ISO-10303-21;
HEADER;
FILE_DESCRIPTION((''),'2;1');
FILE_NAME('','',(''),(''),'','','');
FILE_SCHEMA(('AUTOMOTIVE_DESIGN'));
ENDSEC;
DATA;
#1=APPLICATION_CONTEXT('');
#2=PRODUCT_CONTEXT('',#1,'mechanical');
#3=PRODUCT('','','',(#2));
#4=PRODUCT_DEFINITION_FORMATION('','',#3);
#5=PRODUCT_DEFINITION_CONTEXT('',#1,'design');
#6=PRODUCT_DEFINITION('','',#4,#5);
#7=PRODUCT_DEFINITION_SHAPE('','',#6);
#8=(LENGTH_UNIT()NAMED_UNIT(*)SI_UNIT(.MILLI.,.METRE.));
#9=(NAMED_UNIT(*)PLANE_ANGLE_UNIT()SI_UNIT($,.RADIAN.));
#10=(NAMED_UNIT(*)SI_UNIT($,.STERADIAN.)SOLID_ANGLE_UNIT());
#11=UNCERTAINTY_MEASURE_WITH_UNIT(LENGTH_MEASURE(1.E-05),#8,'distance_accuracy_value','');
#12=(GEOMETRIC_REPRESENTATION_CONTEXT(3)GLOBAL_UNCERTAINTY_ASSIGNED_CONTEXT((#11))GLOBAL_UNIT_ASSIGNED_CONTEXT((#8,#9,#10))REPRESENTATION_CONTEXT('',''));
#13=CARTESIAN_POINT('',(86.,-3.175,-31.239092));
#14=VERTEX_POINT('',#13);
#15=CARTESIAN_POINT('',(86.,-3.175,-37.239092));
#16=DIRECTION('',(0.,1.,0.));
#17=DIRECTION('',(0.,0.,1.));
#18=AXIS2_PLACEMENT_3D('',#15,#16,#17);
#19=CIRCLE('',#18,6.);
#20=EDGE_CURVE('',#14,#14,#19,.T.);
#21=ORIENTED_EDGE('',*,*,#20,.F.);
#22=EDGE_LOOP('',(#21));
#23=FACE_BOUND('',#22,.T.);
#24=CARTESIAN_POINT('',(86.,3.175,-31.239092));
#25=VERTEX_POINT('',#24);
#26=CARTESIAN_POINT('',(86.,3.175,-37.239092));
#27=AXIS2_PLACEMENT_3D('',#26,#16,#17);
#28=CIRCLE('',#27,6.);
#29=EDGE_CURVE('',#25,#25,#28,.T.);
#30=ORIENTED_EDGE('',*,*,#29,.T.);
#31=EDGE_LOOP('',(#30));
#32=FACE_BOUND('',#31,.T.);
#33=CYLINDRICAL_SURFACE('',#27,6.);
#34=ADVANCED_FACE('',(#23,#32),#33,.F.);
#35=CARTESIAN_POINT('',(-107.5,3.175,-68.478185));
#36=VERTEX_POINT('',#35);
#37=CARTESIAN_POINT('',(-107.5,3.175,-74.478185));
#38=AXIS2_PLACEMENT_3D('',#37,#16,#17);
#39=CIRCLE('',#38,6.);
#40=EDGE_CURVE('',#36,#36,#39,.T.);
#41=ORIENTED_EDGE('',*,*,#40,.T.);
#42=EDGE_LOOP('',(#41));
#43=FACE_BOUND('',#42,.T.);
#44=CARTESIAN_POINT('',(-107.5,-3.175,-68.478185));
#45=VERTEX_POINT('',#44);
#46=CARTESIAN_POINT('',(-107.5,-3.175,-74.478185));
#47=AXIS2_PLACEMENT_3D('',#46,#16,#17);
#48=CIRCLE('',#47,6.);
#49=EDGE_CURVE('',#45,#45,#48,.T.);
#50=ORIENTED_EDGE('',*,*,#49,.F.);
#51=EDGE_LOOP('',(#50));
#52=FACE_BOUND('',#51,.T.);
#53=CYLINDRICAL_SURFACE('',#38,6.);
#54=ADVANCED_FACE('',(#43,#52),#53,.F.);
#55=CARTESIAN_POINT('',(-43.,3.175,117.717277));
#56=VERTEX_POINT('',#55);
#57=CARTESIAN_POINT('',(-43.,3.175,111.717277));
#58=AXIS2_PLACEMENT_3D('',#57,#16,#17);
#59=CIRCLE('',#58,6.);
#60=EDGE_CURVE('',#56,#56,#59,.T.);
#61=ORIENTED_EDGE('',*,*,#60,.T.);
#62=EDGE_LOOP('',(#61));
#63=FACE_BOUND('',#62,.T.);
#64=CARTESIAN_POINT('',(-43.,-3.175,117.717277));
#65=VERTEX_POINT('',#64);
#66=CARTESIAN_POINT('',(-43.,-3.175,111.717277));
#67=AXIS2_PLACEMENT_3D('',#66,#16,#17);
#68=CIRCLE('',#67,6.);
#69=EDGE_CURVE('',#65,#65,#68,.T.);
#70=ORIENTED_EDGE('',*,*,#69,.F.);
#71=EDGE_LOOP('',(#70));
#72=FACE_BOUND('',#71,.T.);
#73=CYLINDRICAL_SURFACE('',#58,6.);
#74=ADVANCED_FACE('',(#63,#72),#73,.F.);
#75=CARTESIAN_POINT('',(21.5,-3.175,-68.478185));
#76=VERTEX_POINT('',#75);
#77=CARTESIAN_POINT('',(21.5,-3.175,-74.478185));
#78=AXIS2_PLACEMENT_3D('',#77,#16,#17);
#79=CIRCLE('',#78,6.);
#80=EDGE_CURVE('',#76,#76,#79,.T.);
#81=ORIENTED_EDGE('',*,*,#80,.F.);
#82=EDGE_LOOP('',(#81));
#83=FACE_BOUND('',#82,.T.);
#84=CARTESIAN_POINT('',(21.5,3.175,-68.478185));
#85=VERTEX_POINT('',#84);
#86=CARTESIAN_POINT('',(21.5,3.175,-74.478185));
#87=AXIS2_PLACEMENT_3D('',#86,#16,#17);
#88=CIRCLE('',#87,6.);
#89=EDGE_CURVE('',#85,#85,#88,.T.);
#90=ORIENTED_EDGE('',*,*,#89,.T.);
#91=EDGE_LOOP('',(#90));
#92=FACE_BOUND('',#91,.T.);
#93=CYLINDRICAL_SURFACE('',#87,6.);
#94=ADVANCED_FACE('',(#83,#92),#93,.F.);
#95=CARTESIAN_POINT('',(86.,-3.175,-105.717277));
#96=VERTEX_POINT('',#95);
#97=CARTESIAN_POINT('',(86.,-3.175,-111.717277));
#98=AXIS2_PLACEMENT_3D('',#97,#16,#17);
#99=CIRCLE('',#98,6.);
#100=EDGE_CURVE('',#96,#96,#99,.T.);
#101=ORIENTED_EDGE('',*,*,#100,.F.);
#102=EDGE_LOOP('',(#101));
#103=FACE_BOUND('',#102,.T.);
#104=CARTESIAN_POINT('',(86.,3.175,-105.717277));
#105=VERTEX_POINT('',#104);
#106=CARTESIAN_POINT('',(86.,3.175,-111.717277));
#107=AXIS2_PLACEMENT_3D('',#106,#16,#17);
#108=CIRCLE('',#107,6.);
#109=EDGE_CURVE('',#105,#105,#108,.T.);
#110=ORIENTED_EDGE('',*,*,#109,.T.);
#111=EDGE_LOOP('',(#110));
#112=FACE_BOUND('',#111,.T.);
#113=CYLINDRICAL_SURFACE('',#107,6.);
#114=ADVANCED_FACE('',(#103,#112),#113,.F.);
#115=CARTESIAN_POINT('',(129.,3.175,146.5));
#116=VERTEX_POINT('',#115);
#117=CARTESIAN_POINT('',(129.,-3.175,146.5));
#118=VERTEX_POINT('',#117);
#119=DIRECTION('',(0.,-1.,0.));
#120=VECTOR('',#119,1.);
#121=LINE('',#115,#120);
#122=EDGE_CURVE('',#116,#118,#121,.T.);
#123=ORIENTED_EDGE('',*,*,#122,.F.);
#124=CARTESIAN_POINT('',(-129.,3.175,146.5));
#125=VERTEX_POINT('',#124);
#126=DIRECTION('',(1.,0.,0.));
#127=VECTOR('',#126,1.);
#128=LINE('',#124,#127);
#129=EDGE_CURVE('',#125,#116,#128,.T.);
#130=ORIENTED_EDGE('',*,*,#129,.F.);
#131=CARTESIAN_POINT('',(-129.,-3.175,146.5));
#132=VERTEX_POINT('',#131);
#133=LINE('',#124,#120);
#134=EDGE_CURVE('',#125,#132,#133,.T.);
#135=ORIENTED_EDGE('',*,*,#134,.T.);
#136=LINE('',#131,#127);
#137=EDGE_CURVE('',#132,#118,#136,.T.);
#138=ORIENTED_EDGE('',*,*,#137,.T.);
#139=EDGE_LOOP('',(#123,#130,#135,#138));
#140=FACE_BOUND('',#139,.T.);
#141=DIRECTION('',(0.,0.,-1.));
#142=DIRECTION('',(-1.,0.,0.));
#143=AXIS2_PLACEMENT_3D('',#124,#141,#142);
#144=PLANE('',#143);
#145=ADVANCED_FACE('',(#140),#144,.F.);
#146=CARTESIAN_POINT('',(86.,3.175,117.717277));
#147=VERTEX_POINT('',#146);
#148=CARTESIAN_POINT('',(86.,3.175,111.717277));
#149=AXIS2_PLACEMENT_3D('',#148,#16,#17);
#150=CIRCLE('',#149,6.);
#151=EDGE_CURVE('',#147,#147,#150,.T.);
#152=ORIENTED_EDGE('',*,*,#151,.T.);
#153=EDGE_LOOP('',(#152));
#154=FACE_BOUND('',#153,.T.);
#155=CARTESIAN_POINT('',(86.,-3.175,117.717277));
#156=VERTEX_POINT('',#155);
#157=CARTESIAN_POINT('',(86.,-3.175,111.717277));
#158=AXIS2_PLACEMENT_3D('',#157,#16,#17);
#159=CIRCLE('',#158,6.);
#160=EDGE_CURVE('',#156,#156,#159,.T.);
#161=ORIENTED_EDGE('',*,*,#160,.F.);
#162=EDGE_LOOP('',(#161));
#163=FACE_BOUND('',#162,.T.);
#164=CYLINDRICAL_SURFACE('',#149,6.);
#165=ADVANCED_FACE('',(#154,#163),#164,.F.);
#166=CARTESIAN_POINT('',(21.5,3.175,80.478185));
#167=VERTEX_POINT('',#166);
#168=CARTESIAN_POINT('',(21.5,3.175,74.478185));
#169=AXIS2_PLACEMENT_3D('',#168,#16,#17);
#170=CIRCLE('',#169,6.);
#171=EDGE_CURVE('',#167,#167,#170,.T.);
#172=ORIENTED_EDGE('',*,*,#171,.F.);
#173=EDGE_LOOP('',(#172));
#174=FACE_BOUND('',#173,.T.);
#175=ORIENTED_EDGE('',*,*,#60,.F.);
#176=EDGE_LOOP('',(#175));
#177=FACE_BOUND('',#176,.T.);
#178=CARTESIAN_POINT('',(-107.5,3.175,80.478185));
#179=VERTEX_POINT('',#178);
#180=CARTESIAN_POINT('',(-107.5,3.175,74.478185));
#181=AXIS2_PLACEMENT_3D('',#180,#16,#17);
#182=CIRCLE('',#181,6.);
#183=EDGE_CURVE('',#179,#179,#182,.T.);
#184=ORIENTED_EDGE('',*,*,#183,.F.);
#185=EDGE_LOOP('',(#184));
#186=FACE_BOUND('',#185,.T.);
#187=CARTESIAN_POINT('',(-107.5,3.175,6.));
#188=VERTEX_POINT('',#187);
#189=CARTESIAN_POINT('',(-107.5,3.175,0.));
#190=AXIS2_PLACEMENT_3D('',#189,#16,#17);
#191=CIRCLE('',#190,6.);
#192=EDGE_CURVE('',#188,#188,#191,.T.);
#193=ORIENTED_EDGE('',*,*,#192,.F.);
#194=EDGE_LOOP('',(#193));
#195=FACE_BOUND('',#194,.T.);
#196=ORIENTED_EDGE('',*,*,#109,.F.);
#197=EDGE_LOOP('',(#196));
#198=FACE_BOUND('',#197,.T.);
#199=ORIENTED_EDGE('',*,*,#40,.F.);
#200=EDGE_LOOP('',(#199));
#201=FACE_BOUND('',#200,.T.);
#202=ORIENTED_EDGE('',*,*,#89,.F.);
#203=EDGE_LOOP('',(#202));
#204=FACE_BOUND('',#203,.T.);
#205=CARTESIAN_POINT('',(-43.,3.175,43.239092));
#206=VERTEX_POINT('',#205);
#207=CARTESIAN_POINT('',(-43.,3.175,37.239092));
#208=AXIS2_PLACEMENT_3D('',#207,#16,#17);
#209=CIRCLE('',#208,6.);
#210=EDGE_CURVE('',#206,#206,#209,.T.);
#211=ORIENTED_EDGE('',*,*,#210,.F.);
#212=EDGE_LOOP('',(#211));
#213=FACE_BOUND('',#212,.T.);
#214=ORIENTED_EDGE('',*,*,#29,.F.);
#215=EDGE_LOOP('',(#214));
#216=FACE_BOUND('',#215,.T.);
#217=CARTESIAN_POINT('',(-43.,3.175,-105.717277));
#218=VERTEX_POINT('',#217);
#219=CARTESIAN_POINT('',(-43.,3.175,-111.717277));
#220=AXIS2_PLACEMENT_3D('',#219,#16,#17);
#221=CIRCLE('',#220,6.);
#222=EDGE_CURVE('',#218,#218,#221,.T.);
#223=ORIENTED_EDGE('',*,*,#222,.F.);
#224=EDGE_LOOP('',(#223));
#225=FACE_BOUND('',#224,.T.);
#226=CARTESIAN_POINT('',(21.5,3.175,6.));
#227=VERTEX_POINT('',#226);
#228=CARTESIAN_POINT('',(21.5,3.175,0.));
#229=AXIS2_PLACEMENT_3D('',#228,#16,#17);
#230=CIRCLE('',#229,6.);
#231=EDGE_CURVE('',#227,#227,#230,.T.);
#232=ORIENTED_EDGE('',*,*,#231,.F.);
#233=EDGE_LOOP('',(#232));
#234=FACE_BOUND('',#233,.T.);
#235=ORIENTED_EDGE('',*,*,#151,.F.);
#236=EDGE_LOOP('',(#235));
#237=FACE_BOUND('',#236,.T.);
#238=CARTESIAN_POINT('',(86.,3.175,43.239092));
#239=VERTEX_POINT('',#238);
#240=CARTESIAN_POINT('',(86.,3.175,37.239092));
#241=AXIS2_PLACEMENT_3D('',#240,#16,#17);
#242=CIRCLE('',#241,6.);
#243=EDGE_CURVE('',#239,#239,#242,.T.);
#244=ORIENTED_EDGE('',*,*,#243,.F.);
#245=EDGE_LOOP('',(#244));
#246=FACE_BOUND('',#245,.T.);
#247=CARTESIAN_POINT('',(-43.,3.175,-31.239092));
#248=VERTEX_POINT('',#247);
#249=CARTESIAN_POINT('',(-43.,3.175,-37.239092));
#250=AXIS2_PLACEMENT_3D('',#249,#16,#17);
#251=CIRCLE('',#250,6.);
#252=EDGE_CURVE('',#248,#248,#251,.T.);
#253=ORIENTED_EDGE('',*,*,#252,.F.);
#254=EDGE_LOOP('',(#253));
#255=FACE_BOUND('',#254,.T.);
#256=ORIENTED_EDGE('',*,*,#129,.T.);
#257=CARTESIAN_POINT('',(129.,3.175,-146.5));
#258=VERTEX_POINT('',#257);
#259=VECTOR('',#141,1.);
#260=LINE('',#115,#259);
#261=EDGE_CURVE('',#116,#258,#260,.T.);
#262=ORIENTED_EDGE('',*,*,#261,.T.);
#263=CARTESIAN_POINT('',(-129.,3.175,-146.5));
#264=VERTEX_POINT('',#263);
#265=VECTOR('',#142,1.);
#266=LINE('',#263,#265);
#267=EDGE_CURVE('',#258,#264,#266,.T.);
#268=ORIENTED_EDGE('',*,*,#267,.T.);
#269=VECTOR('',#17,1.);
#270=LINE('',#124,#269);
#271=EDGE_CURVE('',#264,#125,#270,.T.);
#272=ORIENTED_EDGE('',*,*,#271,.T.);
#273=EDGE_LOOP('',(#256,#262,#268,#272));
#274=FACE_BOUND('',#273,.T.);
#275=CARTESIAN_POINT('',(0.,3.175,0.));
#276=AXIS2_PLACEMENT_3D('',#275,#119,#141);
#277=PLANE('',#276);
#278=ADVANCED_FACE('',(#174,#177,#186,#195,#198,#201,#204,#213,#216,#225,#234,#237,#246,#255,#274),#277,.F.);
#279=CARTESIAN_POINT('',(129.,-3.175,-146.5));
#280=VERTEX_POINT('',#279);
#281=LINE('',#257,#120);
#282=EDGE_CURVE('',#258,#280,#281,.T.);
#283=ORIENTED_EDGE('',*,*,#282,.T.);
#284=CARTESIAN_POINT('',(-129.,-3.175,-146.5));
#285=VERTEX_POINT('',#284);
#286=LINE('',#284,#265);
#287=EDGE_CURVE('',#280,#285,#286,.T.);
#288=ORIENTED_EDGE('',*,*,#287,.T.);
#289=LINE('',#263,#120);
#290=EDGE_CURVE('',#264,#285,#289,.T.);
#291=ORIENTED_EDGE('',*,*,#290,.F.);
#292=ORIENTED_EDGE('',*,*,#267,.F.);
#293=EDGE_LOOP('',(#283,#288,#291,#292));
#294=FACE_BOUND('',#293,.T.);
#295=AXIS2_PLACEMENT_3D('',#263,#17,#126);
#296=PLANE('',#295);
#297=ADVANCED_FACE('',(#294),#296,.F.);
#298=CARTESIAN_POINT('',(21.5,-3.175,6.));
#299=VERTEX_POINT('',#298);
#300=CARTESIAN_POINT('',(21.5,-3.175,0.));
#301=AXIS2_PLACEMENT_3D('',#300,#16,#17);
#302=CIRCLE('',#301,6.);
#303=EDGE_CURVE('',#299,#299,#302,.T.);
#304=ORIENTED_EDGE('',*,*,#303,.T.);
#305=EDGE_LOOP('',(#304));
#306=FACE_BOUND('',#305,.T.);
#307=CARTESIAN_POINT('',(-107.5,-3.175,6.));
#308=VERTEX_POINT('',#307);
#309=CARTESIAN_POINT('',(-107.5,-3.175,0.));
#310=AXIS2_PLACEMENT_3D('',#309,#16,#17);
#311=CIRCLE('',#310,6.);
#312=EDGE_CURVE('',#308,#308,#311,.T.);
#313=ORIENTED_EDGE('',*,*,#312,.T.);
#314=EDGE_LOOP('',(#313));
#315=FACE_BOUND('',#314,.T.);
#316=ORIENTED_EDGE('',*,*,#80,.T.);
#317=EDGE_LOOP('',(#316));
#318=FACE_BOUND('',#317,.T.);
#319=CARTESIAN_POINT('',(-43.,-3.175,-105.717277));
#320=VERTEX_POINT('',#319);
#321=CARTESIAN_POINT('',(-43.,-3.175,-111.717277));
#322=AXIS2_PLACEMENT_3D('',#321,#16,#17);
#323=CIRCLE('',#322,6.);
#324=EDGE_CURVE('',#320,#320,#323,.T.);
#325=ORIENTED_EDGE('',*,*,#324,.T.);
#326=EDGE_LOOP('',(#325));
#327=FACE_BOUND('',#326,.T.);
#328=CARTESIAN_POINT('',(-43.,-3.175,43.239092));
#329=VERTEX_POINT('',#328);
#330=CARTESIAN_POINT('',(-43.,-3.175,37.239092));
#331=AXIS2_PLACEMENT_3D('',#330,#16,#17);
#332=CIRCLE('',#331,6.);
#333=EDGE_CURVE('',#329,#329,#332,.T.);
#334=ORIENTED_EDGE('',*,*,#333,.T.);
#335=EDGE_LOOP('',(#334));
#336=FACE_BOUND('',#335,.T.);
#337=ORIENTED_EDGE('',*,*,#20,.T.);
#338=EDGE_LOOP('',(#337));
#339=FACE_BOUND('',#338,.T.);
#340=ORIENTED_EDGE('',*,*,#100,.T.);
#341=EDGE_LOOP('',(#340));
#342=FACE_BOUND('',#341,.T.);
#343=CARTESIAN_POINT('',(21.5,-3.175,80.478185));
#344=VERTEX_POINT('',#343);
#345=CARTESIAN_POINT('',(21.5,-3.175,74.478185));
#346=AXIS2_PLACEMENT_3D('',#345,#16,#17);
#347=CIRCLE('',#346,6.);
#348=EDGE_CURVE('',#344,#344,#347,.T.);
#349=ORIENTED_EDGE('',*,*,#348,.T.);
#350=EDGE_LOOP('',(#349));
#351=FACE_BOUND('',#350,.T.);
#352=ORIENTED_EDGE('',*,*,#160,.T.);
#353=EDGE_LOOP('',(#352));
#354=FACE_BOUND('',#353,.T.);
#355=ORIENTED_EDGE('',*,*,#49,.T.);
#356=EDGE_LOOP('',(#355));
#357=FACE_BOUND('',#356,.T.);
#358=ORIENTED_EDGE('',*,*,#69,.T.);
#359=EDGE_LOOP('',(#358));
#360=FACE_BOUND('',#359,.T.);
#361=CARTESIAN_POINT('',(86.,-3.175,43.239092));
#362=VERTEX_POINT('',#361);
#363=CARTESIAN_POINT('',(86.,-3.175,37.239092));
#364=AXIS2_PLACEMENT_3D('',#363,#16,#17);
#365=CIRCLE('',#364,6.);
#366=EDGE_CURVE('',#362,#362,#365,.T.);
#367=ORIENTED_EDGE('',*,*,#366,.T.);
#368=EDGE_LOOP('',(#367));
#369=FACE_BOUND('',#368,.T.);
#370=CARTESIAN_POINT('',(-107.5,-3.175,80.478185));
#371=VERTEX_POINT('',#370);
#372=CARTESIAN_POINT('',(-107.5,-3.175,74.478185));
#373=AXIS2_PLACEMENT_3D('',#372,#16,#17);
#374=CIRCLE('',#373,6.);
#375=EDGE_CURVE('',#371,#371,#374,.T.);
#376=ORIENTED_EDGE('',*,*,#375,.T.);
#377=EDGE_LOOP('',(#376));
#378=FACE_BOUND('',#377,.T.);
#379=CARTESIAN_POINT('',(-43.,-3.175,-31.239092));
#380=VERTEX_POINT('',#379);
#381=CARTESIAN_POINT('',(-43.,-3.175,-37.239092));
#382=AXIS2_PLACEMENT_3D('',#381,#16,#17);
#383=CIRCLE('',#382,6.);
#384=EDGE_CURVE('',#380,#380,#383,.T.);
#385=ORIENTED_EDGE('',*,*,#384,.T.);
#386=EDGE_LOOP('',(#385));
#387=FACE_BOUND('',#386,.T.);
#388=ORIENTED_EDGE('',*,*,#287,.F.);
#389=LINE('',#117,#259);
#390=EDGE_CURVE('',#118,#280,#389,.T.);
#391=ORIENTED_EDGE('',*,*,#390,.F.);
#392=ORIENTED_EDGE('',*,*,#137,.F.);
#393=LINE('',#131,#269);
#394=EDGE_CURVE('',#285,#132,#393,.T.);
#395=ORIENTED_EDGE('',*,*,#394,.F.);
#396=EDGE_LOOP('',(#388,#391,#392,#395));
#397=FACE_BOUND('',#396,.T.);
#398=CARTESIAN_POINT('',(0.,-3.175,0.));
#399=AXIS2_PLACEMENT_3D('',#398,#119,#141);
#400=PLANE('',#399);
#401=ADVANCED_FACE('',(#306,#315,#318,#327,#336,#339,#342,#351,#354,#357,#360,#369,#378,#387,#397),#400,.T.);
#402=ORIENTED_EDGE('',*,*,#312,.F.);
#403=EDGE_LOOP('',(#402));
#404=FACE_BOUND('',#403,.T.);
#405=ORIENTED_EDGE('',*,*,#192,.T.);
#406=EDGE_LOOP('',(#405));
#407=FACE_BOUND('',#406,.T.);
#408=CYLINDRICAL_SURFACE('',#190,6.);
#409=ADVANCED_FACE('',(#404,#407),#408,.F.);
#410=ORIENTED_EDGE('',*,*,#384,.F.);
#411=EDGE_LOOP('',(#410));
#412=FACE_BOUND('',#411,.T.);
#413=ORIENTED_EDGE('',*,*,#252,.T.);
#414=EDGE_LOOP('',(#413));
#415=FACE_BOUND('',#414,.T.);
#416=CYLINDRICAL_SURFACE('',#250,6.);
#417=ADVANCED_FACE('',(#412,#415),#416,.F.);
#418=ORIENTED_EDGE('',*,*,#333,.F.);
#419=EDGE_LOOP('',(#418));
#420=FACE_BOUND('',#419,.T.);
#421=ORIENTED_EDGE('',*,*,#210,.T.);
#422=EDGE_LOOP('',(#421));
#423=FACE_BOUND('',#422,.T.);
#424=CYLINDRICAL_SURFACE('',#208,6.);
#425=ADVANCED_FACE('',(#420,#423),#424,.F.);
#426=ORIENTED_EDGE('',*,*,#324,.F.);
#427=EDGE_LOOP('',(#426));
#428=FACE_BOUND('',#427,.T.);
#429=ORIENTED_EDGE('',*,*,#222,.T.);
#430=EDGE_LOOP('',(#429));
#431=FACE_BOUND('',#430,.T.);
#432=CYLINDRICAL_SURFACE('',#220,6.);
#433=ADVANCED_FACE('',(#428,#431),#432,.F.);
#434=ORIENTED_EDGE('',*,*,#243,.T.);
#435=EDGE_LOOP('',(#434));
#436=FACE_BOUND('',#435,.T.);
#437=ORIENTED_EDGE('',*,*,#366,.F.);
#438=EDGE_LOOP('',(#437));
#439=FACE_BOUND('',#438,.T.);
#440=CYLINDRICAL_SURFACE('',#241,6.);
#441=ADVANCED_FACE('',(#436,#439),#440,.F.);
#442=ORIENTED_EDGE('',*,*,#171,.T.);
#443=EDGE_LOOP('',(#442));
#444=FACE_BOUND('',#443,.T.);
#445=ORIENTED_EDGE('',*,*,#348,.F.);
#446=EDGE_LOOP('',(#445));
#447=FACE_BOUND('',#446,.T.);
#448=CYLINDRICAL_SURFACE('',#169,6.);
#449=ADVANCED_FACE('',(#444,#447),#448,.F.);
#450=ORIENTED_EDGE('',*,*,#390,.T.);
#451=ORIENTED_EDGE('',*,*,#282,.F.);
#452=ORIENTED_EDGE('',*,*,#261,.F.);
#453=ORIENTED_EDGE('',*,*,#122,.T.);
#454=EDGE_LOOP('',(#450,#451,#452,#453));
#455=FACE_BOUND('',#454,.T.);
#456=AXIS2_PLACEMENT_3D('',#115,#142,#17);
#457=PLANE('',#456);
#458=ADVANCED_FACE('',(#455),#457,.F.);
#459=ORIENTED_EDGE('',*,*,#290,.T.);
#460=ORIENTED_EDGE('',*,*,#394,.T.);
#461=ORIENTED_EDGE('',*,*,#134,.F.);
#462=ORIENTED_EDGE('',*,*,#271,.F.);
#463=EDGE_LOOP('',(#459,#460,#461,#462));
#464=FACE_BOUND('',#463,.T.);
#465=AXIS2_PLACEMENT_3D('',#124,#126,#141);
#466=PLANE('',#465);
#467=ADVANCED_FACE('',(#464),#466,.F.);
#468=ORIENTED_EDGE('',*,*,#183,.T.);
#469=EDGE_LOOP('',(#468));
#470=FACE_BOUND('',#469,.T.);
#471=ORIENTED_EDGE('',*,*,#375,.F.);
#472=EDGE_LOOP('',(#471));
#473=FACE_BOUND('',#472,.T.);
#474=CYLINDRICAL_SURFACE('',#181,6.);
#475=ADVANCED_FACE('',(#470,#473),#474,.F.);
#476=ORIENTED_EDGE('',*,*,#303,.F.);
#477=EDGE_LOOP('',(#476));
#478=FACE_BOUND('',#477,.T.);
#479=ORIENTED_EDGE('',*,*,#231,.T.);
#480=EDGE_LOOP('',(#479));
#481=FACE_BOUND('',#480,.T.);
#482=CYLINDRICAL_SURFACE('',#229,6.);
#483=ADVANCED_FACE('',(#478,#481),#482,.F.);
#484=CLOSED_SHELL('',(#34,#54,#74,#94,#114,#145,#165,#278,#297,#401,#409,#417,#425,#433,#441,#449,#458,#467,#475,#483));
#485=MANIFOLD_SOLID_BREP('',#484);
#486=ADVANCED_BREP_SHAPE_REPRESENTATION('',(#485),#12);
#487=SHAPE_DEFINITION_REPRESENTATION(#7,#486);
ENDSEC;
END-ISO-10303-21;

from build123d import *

# Parameters (mm, degrees)
SKETCH1_W         = 258
SKETCH1_H         = 293
MAIN_BASE_DEPTH   = 3.175
ALIGNMENT_HOLES_D = 12


with BuildPart() as part:
    # Sketch1 → Main Base (new, symmetric)
    with BuildSketch(Plane(origin=(0, 0, 0), x_dir=(1, 0, 0), z_dir=(0, 1, 0))):
        Rectangle(SKETCH1_W, SKETCH1_H)
    extrude(amount=MAIN_BASE_DEPTH, both=True)

    # Alignment Holes (through all)
    with Locations(Plane(origin=(0, 3.175, 0), x_dir=(1, 0, 0), z_dir=(0, 1, 0))):
        with Locations((-107.5, 0), (-43, -37.239092363), (-43, 37.239092363), (86, 37.239092363), (21.5, 0), (86, -37.239092363), (-107.5, 74.478184725), (-43, 111.717277088), (21.5, 74.478184725), (86, 111.717277088), (-107.5, -74.478184725), (-43, -111.717277088), (21.5, -74.478184725), (86, -111.717277088)):
            Hole(ALIGNMENT_HOLES_D / 2)


solid = part.part
